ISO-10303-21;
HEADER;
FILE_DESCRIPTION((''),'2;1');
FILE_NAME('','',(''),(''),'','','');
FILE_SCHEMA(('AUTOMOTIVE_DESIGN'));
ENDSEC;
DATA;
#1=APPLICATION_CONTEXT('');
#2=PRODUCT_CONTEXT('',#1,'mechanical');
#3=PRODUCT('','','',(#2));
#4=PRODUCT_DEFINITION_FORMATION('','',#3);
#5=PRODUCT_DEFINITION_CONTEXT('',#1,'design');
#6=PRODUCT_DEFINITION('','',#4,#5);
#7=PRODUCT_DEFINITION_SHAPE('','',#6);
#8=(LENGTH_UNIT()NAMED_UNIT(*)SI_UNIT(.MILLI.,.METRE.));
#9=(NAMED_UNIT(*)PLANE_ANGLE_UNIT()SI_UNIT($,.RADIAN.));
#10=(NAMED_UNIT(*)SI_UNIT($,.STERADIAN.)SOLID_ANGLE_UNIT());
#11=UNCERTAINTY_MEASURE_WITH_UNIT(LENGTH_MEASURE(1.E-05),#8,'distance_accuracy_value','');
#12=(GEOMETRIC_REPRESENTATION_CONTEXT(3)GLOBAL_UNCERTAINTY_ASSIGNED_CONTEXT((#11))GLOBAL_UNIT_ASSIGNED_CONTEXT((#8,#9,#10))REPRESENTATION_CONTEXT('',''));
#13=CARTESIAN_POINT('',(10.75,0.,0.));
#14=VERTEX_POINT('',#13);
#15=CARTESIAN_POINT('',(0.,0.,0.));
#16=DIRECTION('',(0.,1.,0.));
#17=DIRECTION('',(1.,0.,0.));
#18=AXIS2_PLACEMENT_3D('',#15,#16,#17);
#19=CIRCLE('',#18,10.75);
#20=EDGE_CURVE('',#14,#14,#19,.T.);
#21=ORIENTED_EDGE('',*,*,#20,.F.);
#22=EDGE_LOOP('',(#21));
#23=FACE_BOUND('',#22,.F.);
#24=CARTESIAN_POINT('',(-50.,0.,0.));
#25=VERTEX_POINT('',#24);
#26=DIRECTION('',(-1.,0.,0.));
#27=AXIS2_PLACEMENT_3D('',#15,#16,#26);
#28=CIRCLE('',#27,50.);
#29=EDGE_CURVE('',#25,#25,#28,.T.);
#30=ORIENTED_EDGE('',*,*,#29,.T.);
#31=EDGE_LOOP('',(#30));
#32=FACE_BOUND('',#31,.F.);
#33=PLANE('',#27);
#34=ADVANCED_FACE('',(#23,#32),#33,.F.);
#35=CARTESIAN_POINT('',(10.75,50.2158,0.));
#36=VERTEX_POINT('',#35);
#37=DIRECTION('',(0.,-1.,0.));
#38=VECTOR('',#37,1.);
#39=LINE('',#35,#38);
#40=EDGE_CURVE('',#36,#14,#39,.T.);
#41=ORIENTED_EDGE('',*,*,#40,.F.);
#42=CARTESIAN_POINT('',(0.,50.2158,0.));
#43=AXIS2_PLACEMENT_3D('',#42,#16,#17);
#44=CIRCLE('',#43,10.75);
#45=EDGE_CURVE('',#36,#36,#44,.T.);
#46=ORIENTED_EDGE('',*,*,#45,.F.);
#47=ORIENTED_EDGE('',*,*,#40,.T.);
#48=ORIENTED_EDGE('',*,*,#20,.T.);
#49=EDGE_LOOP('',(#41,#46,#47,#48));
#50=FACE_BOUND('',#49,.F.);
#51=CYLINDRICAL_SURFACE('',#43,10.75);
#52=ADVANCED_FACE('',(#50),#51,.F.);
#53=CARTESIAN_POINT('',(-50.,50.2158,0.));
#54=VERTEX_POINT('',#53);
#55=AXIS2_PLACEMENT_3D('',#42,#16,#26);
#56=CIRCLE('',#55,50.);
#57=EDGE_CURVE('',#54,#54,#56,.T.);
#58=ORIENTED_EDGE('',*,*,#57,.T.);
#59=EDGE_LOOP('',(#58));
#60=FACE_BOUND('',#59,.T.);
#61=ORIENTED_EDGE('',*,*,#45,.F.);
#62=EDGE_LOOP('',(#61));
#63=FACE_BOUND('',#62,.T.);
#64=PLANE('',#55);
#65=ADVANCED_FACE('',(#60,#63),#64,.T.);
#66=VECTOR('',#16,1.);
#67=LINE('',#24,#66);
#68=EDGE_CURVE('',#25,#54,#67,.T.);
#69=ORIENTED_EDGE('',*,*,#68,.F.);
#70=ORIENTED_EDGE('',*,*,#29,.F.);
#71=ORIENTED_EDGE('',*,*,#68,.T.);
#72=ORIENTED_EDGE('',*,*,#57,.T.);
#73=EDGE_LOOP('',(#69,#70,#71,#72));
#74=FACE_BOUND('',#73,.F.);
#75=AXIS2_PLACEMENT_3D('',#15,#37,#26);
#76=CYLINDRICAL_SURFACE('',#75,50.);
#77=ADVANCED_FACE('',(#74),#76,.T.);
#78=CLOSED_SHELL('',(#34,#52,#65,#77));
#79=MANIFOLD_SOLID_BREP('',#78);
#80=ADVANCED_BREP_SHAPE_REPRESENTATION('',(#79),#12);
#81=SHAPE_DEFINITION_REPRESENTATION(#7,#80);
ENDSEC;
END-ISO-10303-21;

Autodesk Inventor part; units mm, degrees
ref_plane "YZ Plane" through (0, 0, 0) normal (1, 0, 0) x (0, 1, 0)
ref_plane "XZ Plane" through (0, 0, 0) normal (0, 1, 0) x (-1, 0, 0)
ref_plane "XY Plane" through (0, 0, 0) normal (0, 0, 1) x (1, 0, 0)
sketch "Sketch1" plane through (0, 0, 0) normal (0, 1, 0) x (-1, 0, 0)
  circle A0 centre (0, 0) radius 50
  dimension "d0" = 100
extrude "Extrusion1" add sketch "Sketch1" along normal blind 50.2158
sketch "Sketch2" plane through (0, 50.2158, 0) normal (0, 1, 0) x (1, 0, 0)
  circle A0 centre (0, 0) radius 10.75
  dimension "d3" = 21.5
extrude "Extrusion2" cut sketch "Sketch2" against normal blind 50.2158
properties part number "Simple Wheel"
